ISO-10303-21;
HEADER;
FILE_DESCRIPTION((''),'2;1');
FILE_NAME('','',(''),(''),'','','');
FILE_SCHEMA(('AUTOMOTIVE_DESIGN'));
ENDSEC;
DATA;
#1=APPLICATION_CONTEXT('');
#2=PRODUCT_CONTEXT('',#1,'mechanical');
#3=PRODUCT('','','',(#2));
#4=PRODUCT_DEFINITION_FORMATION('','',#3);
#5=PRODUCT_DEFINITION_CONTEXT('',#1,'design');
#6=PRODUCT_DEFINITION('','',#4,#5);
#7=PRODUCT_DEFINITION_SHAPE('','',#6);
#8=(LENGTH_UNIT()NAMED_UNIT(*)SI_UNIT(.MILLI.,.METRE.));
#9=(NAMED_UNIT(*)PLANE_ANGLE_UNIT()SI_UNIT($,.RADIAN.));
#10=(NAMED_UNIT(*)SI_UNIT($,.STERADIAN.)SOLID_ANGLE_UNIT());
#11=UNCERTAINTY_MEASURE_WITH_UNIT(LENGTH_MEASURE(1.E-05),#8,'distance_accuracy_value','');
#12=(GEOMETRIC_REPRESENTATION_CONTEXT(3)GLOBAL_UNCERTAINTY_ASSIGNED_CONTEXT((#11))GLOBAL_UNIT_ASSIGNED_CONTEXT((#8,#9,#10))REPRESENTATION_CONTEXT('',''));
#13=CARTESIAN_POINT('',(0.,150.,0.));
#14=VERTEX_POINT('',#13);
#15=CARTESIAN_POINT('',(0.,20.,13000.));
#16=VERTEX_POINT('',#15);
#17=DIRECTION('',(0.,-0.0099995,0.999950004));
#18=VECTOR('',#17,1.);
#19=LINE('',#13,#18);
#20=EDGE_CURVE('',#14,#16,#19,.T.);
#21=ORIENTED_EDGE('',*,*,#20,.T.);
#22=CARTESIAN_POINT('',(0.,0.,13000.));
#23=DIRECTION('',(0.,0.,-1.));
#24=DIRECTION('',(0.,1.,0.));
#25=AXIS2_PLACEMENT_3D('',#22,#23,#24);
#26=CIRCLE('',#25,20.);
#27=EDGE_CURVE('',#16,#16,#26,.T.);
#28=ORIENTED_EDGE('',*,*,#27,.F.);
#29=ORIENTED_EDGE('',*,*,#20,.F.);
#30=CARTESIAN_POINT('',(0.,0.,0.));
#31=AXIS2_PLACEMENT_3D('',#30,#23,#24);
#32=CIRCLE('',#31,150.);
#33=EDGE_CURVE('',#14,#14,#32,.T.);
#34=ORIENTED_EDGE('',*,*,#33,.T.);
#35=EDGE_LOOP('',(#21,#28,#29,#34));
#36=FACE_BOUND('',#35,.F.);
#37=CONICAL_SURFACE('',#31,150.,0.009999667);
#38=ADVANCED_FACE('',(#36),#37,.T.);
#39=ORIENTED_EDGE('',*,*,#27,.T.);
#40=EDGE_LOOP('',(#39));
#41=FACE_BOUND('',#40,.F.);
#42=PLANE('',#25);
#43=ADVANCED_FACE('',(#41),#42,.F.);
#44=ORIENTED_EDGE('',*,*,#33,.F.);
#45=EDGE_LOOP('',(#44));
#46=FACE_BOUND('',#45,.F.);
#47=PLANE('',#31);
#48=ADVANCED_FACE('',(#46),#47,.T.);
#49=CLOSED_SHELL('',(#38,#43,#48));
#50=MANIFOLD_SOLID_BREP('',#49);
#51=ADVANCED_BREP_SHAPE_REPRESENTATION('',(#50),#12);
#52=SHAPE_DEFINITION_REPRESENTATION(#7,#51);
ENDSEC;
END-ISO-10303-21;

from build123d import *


with BuildPart() as f1:
    # F0 (on Right) → F1 (revolve)
    with BuildSketch(Plane.YZ):
        Polygon((0, 13000), (0, 0), (150, 0), (20, 13000), align=None)
    revolve(axis=Axis((0, 0, 6500), (0, 0, -1)))


solid = f1.part
